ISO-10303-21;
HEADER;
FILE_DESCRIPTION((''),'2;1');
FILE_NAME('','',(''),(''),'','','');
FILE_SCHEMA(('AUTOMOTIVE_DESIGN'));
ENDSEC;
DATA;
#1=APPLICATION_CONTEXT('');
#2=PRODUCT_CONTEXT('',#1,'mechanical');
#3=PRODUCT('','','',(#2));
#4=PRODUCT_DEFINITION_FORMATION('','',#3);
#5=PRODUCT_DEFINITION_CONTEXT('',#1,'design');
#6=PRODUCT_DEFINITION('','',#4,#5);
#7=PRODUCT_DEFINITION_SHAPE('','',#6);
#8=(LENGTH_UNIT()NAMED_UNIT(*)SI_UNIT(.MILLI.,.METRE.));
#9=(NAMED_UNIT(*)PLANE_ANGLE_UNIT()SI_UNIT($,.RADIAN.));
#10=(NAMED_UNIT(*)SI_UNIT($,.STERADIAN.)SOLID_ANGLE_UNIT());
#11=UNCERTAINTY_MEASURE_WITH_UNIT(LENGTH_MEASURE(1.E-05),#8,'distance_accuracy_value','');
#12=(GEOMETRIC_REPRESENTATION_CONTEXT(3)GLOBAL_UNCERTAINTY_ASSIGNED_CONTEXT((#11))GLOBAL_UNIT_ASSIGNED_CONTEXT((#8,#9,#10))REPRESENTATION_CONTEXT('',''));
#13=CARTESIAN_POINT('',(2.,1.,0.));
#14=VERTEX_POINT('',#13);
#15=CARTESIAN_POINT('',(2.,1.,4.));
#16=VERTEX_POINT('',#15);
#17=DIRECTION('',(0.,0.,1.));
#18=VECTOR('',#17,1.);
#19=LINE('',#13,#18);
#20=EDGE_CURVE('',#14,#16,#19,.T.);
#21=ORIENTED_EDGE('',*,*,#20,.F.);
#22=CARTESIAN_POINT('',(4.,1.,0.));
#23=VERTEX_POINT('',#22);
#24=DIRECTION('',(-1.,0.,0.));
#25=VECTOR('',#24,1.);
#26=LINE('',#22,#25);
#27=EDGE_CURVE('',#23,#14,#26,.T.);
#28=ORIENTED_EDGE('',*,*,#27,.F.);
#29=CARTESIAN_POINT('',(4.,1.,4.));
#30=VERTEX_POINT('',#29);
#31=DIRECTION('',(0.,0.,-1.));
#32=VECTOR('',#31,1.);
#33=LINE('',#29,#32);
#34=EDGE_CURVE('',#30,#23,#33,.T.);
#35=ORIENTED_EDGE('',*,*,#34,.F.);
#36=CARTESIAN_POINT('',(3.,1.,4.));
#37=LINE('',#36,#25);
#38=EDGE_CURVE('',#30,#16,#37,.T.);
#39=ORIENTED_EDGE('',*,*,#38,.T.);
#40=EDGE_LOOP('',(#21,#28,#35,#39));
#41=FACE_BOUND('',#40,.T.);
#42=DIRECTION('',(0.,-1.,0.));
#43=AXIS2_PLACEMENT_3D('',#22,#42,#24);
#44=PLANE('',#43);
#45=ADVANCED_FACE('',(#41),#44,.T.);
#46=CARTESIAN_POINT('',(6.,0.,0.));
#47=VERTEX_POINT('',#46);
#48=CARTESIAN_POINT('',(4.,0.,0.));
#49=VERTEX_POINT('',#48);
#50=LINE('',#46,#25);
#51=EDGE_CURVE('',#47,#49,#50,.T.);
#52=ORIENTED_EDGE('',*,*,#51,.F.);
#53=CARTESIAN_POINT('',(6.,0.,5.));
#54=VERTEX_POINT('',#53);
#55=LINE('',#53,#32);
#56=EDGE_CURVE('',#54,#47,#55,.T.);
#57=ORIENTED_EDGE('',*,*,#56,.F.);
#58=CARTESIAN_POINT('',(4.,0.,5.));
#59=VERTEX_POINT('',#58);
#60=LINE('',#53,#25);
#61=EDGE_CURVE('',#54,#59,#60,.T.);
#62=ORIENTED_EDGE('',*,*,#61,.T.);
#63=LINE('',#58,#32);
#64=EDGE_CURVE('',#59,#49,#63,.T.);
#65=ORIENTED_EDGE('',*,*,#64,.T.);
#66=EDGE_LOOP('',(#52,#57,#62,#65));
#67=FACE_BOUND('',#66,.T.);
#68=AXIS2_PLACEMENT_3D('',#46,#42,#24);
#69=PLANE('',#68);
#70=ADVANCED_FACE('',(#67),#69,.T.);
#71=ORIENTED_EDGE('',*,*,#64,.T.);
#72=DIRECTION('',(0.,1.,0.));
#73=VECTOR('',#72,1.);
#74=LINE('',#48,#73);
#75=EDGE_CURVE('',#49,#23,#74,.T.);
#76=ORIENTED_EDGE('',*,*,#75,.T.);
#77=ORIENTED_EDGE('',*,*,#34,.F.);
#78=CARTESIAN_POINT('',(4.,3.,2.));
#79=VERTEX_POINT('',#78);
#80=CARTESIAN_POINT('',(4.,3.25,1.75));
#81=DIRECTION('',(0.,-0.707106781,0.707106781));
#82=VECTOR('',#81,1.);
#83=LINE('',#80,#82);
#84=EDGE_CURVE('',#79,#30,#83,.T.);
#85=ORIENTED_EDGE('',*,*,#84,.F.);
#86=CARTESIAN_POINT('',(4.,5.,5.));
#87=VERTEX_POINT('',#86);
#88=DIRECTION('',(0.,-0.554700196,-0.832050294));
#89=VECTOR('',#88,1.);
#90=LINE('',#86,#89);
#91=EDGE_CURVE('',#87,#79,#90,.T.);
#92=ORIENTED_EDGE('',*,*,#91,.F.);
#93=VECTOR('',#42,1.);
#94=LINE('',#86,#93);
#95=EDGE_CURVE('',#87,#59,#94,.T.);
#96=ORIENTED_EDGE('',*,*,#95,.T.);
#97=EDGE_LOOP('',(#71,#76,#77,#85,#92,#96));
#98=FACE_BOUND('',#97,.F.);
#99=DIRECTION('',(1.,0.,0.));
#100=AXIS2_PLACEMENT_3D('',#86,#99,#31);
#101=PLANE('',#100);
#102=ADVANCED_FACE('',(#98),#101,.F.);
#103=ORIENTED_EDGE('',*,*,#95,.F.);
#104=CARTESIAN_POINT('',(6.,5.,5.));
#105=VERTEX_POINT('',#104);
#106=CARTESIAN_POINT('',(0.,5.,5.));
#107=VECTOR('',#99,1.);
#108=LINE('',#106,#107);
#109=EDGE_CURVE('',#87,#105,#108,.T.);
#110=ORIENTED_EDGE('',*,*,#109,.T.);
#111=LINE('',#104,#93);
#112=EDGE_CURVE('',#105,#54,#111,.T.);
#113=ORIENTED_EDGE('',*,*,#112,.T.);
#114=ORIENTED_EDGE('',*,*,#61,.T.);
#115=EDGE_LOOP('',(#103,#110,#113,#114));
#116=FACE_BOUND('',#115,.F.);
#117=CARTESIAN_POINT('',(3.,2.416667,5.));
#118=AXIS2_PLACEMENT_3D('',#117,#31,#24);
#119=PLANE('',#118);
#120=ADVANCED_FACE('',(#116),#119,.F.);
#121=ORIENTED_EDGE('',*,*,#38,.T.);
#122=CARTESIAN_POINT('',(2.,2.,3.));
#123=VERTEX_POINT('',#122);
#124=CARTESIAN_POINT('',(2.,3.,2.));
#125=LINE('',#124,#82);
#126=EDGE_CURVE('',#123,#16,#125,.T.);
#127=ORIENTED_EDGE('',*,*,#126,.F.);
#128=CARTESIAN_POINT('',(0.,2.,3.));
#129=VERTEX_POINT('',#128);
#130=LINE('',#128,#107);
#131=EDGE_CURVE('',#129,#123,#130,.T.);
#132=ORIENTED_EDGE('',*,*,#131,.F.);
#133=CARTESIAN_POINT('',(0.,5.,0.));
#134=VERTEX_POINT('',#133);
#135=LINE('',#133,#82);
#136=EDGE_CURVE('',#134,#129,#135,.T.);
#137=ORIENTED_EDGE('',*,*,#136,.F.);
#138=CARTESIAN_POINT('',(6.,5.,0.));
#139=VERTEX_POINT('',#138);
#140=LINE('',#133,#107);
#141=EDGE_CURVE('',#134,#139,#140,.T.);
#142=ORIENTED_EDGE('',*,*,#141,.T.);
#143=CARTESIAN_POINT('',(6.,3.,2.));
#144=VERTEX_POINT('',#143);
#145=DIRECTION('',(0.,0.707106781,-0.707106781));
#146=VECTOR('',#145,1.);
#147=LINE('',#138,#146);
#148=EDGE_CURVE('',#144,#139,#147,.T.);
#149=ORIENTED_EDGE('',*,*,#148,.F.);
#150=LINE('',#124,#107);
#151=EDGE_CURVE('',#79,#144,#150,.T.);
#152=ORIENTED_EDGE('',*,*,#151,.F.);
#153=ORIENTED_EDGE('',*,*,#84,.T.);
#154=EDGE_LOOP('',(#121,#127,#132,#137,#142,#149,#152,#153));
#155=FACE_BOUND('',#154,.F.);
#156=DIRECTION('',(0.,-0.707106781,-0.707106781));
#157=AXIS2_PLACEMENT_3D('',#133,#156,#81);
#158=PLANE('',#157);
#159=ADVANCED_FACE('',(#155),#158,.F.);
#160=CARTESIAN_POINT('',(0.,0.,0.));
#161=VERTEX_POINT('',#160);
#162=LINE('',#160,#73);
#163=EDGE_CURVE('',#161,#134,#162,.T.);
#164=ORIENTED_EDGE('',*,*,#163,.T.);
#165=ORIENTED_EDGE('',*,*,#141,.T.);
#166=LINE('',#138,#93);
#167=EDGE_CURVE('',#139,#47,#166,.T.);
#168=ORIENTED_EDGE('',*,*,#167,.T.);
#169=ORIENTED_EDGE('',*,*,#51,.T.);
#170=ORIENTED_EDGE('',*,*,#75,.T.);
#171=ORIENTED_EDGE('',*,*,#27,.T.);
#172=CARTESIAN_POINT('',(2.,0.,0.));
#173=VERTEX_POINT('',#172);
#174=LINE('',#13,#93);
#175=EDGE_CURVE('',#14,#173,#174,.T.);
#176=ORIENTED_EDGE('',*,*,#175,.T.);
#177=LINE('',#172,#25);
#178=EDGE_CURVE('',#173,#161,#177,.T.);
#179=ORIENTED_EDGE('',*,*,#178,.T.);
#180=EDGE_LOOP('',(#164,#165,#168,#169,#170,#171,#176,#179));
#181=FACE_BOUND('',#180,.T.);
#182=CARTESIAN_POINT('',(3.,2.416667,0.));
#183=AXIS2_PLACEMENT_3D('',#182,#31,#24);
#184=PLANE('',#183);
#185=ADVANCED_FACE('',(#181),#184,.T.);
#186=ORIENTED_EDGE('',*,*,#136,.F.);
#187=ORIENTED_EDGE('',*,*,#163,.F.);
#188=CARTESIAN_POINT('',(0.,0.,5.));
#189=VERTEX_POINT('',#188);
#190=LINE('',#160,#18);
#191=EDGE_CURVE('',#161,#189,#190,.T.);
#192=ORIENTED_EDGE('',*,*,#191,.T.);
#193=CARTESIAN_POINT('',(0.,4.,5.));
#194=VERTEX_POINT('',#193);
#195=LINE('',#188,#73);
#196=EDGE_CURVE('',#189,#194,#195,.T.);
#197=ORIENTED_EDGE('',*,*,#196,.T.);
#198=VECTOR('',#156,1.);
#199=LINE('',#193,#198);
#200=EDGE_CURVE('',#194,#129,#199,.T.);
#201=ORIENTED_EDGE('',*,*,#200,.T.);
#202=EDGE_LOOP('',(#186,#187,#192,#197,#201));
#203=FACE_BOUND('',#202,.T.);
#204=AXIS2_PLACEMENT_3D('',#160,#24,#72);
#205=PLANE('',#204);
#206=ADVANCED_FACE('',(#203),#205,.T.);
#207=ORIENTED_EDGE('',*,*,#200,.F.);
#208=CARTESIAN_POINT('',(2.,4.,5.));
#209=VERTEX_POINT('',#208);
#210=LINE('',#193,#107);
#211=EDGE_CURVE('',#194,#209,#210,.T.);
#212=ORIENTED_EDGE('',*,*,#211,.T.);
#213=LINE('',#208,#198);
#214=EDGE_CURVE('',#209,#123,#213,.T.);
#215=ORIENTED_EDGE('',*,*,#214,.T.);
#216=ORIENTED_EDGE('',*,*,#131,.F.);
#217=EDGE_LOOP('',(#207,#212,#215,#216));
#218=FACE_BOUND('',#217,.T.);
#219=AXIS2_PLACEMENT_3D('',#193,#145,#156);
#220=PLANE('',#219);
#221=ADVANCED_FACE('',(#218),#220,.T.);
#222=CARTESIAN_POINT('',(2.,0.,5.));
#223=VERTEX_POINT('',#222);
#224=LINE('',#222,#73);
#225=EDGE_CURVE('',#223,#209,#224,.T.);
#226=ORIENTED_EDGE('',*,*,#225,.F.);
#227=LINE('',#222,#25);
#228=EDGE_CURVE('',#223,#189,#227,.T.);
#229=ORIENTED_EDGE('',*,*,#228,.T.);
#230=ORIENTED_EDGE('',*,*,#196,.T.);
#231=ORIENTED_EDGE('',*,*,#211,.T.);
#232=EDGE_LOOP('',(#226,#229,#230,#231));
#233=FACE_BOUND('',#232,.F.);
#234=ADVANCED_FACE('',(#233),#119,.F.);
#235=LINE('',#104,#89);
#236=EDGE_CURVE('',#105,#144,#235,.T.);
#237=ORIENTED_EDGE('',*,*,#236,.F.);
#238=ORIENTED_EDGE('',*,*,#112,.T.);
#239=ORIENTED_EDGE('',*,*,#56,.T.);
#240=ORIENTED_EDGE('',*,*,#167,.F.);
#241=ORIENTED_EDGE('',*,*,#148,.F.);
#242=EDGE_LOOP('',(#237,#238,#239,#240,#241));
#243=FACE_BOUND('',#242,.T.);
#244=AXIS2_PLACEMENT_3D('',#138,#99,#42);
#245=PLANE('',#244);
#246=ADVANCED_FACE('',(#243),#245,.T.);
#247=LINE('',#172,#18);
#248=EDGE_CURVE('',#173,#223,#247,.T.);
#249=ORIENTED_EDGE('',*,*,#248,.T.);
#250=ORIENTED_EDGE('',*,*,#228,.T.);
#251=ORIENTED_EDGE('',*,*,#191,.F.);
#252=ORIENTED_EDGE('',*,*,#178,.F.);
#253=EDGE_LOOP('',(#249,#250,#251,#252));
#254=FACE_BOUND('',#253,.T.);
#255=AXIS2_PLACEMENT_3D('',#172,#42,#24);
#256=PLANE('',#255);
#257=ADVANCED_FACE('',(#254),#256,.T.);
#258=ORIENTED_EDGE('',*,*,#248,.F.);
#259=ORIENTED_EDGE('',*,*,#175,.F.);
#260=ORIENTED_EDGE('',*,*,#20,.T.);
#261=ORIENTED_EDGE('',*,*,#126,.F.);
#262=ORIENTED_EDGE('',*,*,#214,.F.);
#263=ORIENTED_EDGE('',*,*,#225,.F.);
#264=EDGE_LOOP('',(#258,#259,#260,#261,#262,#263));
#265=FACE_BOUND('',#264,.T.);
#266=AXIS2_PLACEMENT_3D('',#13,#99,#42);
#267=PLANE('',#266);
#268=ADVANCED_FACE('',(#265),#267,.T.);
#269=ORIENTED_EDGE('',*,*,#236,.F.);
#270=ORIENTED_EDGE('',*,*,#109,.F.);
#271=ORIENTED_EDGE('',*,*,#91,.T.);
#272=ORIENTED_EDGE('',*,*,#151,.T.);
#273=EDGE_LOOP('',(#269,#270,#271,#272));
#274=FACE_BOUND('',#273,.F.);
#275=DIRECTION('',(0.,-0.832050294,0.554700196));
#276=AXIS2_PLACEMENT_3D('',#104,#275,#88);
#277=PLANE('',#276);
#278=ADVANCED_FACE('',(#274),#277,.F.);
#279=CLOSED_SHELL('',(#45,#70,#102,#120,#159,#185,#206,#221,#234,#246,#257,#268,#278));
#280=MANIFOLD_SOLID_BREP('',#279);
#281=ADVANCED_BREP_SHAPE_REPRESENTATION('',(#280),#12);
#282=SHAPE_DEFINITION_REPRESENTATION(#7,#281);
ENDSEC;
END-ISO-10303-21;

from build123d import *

# Parameters (mm, degrees)
BOSS_EXTRUDE2_DEPTH = 5
SKETCH23_W          = 2
SKETCH23_H          = 1
CUT_EXTRUDE16_DEPTH = 5
CUT_EXTRUDE17_DEPTH = 7
SKETCH25_W          = 2
SKETCH25_H          = 2
SKETCH25_H_2        = 3
BOSS_EXTRUDE5_DEPTH = 5
CUT_EXTRUDE18_DEPTH = 2
CUT_EXTRUDE19_DEPTH = 2


with BuildPart() as part:
    # Sketch7 → Boss-Extrude2 (new body)
    with BuildSketch(Plane.XY):
        Polygon((0, 0), (0, 5), (6, 5), (6, 0), (4, 0), (4, 1), (2, 1), (2, 0), align=None)
    extrude(amount=BOSS_EXTRUDE2_DEPTH)

    # Sketch23 → Cut-Extrude16 (cut)
    with BuildSketch(Plane(origin=(0, 5, 0), x_dir=(1, 0, 0), z_dir=(0, 1, 0))):
        with Locations((3, -4.5)):
            Rectangle(SKETCH23_W, SKETCH23_H)
    extrude(amount=-CUT_EXTRUDE16_DEPTH, mode=Mode.SUBTRACT)

    # Sketch24 → Cut-Extrude17 (cut)
    with BuildSketch(Plane.ZY):
        Polygon((0, 5), (4, 1), (4, 5), align=None)
    extrude(amount=-CUT_EXTRUDE17_DEPTH, mode=Mode.SUBTRACT)

    # Sketch25 → Boss-Extrude5 (add)
    with BuildSketch(Plane.XZ):
        with Locations((1, 4)):
            Rectangle(SKETCH25_W, SKETCH25_H)
        with Locations((5, 3.5)):
            Rectangle(SKETCH25_W, SKETCH25_H_2)
    extrude(amount=-BOSS_EXTRUDE5_DEPTH)

    # Sketch26 → Cut-Extrude18 (cut)
    with BuildSketch(Plane.ZY):
        Polygon((5, 5), (5, 4), (3, 2), (3, 5), align=None)
    extrude(amount=-CUT_EXTRUDE18_DEPTH, mode=Mode.SUBTRACT)

    # Sketch27 → Cut-Extrude19 (cut)
    with BuildSketch(Plane(origin=(6, 0, 0), x_dir=(0, 0, -1), z_dir=(1, 0, 0))):
        Polygon((-5, 5), (-2, 3), (-2, 5), align=None)
    extrude(amount=-CUT_EXTRUDE19_DEPTH, mode=Mode.SUBTRACT)


solid = part.part
